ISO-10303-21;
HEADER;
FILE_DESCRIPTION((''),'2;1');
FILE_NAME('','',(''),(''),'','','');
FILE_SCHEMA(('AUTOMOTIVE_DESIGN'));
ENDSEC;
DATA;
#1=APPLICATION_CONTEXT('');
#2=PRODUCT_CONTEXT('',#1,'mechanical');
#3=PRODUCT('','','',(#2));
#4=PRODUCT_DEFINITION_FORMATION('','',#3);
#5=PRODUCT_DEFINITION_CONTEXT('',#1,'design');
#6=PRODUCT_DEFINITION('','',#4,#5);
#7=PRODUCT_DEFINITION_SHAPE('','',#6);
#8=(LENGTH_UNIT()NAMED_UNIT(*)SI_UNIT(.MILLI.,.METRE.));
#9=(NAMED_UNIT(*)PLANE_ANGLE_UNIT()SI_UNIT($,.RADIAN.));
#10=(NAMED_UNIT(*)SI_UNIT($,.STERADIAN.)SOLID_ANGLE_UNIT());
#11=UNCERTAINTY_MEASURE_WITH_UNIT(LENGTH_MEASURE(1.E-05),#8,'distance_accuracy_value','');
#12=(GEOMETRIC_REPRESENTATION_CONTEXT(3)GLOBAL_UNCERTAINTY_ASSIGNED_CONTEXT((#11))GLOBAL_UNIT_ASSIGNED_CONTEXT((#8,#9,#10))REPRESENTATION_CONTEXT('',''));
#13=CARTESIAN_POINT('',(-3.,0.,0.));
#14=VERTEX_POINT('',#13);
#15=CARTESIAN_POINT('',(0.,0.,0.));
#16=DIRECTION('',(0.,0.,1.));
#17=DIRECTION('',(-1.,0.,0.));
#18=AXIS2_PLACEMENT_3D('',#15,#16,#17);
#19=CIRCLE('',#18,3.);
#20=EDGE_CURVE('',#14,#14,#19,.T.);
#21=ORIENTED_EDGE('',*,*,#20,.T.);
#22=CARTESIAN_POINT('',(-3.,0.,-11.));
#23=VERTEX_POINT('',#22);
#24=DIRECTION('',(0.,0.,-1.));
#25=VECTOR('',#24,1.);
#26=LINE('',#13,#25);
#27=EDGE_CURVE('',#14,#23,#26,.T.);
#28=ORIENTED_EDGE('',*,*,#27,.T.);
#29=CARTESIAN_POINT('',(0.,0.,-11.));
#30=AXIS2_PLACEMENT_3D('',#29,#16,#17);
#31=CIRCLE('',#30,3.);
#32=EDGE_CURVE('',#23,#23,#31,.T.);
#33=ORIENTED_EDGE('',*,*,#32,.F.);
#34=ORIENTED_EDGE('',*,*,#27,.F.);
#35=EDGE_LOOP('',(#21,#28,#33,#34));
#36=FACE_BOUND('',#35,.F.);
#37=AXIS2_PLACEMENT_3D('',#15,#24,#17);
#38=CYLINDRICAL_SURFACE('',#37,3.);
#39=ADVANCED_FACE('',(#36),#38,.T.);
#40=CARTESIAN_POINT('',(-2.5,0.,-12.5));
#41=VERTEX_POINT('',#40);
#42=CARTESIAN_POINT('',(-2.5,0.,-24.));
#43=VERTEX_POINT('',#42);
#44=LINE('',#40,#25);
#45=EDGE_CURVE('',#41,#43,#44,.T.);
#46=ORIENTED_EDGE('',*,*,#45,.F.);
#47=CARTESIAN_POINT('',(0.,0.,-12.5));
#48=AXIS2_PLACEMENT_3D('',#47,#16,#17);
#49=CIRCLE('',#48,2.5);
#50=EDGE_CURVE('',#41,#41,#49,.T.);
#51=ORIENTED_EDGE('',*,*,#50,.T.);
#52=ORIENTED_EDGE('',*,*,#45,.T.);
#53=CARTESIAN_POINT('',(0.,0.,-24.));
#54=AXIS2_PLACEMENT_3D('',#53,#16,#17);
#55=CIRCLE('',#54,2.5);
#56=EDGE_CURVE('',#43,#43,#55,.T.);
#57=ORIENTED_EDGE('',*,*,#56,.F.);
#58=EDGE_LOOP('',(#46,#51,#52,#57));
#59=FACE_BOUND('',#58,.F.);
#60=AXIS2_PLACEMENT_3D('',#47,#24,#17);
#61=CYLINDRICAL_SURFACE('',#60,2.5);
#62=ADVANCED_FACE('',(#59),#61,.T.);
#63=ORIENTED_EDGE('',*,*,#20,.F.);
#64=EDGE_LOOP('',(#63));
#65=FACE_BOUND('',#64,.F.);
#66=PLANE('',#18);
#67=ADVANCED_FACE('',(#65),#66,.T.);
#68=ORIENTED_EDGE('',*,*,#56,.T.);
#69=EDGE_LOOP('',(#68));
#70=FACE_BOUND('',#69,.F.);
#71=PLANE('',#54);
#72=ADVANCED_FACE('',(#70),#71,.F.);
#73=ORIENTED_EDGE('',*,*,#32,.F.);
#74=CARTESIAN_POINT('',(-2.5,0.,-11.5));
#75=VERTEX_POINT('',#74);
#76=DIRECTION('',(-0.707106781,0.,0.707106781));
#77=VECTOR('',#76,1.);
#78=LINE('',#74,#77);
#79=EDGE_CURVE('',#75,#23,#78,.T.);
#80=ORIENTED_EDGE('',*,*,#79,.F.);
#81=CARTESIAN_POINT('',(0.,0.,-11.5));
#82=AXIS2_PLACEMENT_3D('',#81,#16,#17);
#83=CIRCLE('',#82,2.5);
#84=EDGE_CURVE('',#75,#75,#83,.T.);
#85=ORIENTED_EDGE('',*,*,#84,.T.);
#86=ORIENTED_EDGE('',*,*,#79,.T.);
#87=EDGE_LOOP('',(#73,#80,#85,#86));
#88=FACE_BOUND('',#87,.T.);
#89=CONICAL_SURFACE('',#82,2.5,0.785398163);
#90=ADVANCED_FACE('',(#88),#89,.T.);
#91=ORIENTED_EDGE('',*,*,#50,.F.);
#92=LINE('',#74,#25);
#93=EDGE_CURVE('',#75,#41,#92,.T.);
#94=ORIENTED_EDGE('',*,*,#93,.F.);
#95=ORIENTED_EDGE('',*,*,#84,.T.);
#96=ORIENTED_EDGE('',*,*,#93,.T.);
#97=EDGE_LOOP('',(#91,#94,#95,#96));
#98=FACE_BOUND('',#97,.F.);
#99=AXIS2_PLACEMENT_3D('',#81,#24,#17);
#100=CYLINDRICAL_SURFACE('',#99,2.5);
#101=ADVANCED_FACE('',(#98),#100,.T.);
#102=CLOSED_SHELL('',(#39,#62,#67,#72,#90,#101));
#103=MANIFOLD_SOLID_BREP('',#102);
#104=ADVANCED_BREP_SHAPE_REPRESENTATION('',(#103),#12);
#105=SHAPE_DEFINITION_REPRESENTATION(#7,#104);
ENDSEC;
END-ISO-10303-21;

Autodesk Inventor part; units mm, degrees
ref_plane "YZ Plane" through (0, 0, 0) normal (1, 0, 0) x (0, 1, 0)
ref_plane "XZ Plane" through (0, 0, 0) normal (0, 1, 0) x (-1, 0, 0)
ref_plane "XY Plane" through (0, 0, 0) normal (0, 0, 1) x (1, 0, 0)
sketch "スケッチ1" plane through (0, 0, 0) normal (0, 1, 0) x (-1, 0, 0)
  line L0 (0, 0) -> (3, 0)
  line L1 (3, 0) -> (3, -11)
  line L2 (2.5, -11.5) -> (3, -11)
  line L3 (2.5, -11.5) -> (2.5, -12.5)
  line L4 (2.5, -12.5) -> (2.5, -24)
  line L5 (2.5, -24) -> (0, -24)
  line L6 (0, -24) -> (0, 0)
  point P0 (2.5, -11)
  dimension "d1" = 3
  dimension "d2" = 11
  dimension "d3" = 0.5
  dimension "d4" = 0.5
  dimension "d5" = 1
  dimension "d6" = 11.5
revolve "回転1" add sketch "スケッチ1" angle 360 about axis through (0, 0, -24) along (0, 0, 1)
properties part number "コガネイ_BDA16x5(円柱)"
